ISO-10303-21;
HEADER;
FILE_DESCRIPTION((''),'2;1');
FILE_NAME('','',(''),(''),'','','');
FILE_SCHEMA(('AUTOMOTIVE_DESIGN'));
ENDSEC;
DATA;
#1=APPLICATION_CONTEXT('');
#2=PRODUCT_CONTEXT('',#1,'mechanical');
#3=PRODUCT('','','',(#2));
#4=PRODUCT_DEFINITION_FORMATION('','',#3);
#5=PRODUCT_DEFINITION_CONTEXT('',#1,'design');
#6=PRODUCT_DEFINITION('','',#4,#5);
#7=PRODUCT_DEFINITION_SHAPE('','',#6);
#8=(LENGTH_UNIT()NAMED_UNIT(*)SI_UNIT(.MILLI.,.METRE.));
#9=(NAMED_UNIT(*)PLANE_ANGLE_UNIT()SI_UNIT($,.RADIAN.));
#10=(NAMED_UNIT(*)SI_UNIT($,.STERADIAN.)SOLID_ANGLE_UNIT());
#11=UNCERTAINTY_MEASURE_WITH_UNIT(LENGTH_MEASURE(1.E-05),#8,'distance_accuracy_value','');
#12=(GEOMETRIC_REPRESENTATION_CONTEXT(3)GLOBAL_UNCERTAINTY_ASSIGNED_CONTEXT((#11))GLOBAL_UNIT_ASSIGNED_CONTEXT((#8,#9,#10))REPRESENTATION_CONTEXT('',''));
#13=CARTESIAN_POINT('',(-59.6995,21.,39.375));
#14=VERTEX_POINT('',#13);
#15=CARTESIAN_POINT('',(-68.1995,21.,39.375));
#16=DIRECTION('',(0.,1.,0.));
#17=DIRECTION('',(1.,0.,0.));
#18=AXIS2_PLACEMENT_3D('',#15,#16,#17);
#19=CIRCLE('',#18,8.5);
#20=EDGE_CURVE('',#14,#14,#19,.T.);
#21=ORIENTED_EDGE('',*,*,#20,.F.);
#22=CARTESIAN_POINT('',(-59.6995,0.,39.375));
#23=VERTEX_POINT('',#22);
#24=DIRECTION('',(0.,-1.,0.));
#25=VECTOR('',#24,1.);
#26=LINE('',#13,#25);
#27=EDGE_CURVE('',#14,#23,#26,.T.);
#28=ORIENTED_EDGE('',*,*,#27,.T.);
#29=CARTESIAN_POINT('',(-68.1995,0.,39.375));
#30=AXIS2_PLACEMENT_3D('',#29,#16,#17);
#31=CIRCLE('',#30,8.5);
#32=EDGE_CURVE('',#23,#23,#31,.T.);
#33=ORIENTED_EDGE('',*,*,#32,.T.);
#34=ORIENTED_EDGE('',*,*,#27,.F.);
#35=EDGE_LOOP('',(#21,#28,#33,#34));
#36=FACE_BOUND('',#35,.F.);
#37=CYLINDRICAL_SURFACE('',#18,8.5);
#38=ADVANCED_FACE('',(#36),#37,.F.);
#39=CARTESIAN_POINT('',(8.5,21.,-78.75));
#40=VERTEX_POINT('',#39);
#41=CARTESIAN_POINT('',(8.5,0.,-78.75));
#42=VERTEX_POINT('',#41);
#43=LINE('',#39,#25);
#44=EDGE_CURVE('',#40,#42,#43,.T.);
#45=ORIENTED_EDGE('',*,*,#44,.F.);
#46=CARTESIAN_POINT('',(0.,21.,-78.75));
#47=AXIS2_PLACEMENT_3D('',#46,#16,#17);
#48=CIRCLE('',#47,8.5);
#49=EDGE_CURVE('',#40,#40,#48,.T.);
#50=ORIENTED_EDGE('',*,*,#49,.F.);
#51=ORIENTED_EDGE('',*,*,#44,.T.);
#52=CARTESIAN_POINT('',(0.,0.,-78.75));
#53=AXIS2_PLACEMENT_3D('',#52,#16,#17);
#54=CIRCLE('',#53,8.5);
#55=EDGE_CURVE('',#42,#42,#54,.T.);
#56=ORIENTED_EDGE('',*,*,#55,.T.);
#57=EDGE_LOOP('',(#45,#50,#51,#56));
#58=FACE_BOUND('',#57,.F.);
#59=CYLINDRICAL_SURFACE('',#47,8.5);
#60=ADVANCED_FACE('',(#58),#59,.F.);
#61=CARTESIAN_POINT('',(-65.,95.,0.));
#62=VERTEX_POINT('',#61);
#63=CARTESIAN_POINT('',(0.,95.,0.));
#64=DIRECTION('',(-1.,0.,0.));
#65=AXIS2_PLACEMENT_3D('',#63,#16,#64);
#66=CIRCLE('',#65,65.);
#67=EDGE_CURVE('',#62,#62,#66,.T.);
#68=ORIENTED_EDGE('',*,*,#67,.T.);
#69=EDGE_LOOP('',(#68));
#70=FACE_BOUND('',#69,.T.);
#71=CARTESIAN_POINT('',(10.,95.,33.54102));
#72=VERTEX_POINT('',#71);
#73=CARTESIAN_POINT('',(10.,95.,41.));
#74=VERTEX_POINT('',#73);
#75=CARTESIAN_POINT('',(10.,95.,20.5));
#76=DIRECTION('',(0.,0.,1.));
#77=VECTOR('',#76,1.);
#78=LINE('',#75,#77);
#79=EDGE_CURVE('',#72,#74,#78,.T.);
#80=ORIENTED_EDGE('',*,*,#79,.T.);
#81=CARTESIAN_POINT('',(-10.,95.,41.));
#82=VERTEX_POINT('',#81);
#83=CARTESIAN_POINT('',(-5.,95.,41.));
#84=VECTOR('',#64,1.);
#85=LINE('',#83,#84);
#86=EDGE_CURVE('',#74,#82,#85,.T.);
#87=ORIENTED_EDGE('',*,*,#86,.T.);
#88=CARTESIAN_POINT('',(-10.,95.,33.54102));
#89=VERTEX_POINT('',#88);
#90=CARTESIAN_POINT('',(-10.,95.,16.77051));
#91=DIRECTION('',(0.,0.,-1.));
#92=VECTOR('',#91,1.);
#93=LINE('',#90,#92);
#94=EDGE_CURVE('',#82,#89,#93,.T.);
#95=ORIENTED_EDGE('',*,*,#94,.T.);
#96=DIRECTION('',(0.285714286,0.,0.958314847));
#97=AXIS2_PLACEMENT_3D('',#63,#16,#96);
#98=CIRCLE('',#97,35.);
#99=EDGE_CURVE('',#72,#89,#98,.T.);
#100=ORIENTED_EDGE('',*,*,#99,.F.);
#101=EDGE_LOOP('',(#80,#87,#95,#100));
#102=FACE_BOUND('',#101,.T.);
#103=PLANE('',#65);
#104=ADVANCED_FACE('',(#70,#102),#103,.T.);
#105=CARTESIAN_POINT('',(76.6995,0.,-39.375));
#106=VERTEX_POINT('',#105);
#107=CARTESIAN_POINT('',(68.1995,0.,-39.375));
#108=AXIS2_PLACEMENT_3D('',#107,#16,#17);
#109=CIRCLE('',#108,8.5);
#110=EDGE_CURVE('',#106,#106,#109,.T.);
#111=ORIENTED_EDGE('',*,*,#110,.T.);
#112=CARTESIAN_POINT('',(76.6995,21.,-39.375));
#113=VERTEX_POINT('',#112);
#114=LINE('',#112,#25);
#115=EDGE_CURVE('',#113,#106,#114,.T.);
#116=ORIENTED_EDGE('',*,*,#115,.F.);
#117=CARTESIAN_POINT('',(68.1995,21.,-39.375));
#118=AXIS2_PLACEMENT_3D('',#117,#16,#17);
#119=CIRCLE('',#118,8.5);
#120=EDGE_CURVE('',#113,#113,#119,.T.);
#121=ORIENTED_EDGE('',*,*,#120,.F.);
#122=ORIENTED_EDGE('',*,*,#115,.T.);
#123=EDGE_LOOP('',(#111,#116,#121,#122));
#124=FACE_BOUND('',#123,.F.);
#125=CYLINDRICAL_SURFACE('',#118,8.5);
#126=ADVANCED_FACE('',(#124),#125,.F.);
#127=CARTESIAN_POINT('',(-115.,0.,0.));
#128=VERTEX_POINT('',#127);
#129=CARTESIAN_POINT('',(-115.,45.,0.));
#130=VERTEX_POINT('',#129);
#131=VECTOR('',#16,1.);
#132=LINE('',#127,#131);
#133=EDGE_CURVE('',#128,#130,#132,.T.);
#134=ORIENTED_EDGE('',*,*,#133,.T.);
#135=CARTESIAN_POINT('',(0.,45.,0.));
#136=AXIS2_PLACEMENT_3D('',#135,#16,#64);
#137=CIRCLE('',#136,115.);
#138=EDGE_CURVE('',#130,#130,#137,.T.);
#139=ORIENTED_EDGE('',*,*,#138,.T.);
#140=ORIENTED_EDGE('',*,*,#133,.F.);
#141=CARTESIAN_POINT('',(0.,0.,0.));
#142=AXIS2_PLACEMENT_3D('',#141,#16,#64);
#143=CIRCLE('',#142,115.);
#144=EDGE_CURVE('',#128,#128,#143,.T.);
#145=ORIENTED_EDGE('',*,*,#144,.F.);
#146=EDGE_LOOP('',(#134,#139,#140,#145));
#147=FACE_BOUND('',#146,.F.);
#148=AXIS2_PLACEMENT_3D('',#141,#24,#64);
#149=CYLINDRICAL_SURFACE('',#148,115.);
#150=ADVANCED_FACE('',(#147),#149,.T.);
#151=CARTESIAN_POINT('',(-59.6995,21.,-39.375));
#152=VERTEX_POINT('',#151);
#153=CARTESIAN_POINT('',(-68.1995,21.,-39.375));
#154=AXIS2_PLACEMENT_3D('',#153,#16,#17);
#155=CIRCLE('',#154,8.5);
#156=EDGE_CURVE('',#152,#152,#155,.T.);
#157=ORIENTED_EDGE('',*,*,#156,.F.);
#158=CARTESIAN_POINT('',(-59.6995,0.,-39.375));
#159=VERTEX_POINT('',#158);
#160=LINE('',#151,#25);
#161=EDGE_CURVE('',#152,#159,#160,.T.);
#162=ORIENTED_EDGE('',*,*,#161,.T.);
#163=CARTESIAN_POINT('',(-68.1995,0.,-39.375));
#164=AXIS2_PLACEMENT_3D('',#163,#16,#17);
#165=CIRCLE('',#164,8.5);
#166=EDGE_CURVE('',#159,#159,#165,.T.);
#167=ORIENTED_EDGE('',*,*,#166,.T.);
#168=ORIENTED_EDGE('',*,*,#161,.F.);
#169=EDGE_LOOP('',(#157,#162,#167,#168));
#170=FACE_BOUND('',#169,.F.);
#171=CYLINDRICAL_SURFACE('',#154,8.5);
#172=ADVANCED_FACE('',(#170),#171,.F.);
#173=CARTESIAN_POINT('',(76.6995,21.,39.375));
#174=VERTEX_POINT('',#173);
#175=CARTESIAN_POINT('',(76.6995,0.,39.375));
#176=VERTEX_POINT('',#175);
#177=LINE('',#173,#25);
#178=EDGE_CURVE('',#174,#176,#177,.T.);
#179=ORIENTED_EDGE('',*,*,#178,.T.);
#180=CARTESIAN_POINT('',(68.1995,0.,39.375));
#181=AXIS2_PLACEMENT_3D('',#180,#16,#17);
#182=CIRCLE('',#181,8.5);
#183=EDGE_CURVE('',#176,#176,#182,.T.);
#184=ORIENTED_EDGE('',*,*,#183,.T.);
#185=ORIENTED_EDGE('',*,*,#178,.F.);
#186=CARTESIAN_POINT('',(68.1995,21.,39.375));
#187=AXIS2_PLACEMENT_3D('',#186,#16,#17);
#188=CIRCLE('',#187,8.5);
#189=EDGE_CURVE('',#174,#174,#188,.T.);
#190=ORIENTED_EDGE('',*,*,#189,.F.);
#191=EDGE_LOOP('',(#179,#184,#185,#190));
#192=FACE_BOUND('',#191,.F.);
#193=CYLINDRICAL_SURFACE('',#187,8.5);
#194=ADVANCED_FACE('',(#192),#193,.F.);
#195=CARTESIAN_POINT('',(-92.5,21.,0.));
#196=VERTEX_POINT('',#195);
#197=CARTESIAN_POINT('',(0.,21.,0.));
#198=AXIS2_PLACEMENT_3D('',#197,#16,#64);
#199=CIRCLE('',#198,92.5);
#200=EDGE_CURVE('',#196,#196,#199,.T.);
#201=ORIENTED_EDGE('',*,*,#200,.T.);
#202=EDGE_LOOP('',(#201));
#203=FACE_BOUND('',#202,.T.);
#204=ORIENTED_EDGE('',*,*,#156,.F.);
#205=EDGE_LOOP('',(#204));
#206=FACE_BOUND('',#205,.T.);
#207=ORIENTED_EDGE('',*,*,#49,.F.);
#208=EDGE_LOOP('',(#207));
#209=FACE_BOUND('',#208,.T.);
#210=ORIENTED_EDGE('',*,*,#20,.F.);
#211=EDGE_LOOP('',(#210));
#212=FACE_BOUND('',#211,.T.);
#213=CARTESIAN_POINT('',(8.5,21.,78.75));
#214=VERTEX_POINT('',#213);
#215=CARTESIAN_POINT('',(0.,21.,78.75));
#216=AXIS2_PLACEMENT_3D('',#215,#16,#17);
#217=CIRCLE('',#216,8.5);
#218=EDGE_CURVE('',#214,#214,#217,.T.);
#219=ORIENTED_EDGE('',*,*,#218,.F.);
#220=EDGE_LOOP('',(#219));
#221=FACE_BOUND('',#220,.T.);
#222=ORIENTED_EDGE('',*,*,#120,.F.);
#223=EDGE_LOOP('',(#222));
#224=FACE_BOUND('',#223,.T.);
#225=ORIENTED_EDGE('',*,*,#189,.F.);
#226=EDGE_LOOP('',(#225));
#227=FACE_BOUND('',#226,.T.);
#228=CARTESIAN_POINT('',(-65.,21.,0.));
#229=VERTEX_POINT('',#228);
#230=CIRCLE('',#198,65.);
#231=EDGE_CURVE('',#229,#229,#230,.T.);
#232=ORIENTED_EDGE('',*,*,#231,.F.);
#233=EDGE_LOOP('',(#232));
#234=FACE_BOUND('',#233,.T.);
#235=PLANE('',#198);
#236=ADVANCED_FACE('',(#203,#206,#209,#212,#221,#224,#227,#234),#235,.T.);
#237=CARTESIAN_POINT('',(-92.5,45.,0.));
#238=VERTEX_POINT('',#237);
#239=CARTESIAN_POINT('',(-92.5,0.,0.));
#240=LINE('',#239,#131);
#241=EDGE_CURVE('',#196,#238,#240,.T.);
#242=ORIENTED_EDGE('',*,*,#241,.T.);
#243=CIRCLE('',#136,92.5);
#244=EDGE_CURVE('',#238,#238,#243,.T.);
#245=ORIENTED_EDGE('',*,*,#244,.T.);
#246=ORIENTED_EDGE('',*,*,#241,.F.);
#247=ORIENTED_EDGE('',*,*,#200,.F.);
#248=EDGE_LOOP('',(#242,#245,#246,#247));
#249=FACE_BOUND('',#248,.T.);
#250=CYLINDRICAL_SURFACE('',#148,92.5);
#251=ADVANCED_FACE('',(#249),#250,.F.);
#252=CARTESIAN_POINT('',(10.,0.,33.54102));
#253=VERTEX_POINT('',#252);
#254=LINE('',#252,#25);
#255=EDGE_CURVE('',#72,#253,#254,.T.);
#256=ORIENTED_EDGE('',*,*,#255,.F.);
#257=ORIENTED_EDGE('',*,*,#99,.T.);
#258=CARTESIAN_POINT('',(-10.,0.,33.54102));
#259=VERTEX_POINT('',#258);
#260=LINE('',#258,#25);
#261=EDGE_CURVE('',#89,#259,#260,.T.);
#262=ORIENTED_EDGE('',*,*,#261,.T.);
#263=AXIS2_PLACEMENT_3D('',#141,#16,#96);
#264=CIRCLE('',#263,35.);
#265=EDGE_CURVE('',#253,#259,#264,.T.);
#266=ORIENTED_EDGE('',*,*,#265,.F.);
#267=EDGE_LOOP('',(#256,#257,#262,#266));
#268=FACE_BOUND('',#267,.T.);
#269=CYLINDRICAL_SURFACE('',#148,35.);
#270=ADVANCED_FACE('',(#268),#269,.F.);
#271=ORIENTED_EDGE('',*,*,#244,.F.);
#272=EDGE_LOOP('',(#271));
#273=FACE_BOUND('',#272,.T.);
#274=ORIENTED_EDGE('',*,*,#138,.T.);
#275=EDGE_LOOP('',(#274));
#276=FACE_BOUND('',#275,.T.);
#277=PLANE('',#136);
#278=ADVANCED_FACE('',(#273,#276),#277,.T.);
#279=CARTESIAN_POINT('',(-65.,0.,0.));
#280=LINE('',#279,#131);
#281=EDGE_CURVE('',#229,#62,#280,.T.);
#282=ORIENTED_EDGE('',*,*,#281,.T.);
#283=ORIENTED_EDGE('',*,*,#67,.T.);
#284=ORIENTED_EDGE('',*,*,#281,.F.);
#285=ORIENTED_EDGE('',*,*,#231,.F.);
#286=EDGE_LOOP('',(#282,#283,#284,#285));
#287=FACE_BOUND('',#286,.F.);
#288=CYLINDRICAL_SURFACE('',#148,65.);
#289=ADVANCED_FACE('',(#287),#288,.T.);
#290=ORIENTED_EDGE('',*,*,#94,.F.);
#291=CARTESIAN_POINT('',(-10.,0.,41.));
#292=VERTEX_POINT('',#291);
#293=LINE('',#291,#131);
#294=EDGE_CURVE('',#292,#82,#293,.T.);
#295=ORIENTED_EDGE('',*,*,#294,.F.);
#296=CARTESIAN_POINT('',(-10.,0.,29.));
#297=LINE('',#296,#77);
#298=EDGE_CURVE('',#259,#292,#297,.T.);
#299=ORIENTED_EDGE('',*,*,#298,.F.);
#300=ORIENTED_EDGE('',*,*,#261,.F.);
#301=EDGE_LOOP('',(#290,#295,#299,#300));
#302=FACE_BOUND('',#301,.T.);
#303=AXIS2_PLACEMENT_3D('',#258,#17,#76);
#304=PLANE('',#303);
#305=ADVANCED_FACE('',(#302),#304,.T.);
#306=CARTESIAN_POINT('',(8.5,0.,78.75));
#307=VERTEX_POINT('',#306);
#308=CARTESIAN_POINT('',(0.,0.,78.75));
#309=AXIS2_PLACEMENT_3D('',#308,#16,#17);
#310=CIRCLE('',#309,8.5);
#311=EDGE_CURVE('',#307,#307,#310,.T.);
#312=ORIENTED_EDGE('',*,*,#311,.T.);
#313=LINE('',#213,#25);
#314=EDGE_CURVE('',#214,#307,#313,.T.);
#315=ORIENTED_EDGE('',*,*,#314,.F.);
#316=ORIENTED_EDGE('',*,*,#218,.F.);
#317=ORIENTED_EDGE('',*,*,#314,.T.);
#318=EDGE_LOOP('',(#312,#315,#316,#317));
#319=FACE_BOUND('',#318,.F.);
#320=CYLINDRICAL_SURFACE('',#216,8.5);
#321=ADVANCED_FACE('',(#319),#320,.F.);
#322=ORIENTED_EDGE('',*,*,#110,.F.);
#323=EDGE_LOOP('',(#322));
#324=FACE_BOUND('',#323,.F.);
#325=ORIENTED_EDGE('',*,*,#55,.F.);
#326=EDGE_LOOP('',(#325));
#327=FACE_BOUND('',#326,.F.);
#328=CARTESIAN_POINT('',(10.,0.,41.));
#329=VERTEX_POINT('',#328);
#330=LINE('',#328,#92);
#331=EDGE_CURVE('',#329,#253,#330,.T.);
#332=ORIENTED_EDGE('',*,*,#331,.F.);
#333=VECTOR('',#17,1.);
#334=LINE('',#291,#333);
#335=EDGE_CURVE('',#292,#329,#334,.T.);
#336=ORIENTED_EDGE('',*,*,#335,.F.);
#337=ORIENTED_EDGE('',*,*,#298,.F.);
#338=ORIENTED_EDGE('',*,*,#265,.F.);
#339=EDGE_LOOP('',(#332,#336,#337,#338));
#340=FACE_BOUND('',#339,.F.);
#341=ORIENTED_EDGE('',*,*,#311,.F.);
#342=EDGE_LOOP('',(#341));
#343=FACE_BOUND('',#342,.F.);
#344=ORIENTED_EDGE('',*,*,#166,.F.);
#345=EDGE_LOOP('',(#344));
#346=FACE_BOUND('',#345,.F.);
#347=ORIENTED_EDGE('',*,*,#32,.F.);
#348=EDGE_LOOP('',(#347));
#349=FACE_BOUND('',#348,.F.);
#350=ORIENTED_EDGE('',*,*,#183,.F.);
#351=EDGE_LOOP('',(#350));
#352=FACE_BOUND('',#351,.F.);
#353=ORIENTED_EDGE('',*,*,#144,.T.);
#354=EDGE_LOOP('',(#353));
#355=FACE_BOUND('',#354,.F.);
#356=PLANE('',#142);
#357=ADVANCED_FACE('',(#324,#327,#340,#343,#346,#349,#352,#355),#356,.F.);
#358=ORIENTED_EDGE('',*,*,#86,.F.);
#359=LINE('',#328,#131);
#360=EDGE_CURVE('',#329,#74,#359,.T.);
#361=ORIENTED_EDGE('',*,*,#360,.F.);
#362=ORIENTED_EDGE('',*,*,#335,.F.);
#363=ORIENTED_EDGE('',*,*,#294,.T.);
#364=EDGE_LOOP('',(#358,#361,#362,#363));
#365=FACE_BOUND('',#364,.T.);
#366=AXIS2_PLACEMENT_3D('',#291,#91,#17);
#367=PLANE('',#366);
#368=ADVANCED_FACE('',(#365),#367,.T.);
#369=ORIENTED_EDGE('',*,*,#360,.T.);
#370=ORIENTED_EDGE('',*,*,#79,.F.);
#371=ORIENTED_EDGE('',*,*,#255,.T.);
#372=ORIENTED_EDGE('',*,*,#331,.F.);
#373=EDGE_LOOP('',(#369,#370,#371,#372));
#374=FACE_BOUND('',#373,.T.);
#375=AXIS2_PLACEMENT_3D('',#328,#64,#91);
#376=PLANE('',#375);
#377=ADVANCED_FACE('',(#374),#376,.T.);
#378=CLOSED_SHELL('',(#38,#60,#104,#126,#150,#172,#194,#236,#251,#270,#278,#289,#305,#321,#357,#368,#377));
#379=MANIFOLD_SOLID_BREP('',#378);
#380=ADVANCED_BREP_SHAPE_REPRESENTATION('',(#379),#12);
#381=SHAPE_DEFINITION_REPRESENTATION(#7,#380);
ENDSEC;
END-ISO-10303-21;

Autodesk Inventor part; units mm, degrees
ref_plane "YZ Plane" through (0, 0, 0) normal (1, 0, 0) x (0, 1, 0)
ref_plane "XZ Plane" through (0, 0, 0) normal (0, 1, 0) x (-1, 0, 0)
ref_plane "XY Plane" through (0, 0, 0) normal (0, 0, 1) x (1, 0, 0)
sketch "Náčrt1" plane through (0, 0, 0) normal (0, 1, 0) x (-1, 0, 0)
  circle A0 centre (0, 0) radius 115
  circle A1 centre (0, 0) radius 92.5
  circle A2 centre (0, 0) radius 35
  circle A3 centre (0, 0) radius 65
  dimension "d0" = 230
  dimension "d1" = 185
  dimension "d2" = 70
  dimension "d3" = 130
extrude "Vysunutí1" add sketch "Náčrt1" along normal blind 95 contours A3
extrude "Vysunutí2" add sketch "Náčrt1" along normal blind 21 contours A1
extrude "Vysunutí3" add sketch "Náčrt1" along normal blind 45 contours A0
sketch "Náčrt2" plane through (0, 21, 0) normal (0, 1, 0) x (1, 0, 0)
  circle A0 centre (0, 0) radius 65 construction
  line L0 (0, -65) -> (0, -92.5) construction
  circle A1 centre (0, 0) radius 92.5 construction
  circle A2 centre (0, -78.75) radius 8.5
  circle A3 centre (68.1995, -39.375) radius 8.5
  circle A4 centre (68.1995, 39.375) radius 8.5
  circle A5 centre (0, 78.75) radius 8.5
  circle A6 centre (-68.1995, 39.375) radius 8.5
  circle A7 centre (-68.1995, -39.375) radius 8.5
  dimension "d10" = 27.5
  dimension "d11" = 17
  dimension "d14" = 360
extrude "Vysunutí4" cut sketch "Náčrt2" against normal through all
sketch "Náčrt3" plane through (0, 0, 0) normal (0, -1, 0) x (1, 0, 0)
  line L0 (-10, 41) -> (10, 41)
  line L1 (10, 41) -> (10, 29)
  line L2 (10, 29) -> (-10, 29)
  line L3 (-10, 29) -> (-10, 41)
  circle A0 centre (0, 0) radius 35 projected
  line L4 (-10, 41) -> (10, 29) construction
  line L5 (10, 41) -> (-10, 29) construction
  point P0 (0, 35)
  point P1 (0, 29)
  dimension "d18" = 20
  dimension "d19" = 12
  dimension "d20" = 29
extrude "Vysunutí5" cut sketch "Náčrt3" against normal through all contours L0 L1 A0 L3 | A0 L1 L2 L3 picked at (1.1251, 30.9456)
properties part number "projektspojkas2v1" material "Sedá litina"
